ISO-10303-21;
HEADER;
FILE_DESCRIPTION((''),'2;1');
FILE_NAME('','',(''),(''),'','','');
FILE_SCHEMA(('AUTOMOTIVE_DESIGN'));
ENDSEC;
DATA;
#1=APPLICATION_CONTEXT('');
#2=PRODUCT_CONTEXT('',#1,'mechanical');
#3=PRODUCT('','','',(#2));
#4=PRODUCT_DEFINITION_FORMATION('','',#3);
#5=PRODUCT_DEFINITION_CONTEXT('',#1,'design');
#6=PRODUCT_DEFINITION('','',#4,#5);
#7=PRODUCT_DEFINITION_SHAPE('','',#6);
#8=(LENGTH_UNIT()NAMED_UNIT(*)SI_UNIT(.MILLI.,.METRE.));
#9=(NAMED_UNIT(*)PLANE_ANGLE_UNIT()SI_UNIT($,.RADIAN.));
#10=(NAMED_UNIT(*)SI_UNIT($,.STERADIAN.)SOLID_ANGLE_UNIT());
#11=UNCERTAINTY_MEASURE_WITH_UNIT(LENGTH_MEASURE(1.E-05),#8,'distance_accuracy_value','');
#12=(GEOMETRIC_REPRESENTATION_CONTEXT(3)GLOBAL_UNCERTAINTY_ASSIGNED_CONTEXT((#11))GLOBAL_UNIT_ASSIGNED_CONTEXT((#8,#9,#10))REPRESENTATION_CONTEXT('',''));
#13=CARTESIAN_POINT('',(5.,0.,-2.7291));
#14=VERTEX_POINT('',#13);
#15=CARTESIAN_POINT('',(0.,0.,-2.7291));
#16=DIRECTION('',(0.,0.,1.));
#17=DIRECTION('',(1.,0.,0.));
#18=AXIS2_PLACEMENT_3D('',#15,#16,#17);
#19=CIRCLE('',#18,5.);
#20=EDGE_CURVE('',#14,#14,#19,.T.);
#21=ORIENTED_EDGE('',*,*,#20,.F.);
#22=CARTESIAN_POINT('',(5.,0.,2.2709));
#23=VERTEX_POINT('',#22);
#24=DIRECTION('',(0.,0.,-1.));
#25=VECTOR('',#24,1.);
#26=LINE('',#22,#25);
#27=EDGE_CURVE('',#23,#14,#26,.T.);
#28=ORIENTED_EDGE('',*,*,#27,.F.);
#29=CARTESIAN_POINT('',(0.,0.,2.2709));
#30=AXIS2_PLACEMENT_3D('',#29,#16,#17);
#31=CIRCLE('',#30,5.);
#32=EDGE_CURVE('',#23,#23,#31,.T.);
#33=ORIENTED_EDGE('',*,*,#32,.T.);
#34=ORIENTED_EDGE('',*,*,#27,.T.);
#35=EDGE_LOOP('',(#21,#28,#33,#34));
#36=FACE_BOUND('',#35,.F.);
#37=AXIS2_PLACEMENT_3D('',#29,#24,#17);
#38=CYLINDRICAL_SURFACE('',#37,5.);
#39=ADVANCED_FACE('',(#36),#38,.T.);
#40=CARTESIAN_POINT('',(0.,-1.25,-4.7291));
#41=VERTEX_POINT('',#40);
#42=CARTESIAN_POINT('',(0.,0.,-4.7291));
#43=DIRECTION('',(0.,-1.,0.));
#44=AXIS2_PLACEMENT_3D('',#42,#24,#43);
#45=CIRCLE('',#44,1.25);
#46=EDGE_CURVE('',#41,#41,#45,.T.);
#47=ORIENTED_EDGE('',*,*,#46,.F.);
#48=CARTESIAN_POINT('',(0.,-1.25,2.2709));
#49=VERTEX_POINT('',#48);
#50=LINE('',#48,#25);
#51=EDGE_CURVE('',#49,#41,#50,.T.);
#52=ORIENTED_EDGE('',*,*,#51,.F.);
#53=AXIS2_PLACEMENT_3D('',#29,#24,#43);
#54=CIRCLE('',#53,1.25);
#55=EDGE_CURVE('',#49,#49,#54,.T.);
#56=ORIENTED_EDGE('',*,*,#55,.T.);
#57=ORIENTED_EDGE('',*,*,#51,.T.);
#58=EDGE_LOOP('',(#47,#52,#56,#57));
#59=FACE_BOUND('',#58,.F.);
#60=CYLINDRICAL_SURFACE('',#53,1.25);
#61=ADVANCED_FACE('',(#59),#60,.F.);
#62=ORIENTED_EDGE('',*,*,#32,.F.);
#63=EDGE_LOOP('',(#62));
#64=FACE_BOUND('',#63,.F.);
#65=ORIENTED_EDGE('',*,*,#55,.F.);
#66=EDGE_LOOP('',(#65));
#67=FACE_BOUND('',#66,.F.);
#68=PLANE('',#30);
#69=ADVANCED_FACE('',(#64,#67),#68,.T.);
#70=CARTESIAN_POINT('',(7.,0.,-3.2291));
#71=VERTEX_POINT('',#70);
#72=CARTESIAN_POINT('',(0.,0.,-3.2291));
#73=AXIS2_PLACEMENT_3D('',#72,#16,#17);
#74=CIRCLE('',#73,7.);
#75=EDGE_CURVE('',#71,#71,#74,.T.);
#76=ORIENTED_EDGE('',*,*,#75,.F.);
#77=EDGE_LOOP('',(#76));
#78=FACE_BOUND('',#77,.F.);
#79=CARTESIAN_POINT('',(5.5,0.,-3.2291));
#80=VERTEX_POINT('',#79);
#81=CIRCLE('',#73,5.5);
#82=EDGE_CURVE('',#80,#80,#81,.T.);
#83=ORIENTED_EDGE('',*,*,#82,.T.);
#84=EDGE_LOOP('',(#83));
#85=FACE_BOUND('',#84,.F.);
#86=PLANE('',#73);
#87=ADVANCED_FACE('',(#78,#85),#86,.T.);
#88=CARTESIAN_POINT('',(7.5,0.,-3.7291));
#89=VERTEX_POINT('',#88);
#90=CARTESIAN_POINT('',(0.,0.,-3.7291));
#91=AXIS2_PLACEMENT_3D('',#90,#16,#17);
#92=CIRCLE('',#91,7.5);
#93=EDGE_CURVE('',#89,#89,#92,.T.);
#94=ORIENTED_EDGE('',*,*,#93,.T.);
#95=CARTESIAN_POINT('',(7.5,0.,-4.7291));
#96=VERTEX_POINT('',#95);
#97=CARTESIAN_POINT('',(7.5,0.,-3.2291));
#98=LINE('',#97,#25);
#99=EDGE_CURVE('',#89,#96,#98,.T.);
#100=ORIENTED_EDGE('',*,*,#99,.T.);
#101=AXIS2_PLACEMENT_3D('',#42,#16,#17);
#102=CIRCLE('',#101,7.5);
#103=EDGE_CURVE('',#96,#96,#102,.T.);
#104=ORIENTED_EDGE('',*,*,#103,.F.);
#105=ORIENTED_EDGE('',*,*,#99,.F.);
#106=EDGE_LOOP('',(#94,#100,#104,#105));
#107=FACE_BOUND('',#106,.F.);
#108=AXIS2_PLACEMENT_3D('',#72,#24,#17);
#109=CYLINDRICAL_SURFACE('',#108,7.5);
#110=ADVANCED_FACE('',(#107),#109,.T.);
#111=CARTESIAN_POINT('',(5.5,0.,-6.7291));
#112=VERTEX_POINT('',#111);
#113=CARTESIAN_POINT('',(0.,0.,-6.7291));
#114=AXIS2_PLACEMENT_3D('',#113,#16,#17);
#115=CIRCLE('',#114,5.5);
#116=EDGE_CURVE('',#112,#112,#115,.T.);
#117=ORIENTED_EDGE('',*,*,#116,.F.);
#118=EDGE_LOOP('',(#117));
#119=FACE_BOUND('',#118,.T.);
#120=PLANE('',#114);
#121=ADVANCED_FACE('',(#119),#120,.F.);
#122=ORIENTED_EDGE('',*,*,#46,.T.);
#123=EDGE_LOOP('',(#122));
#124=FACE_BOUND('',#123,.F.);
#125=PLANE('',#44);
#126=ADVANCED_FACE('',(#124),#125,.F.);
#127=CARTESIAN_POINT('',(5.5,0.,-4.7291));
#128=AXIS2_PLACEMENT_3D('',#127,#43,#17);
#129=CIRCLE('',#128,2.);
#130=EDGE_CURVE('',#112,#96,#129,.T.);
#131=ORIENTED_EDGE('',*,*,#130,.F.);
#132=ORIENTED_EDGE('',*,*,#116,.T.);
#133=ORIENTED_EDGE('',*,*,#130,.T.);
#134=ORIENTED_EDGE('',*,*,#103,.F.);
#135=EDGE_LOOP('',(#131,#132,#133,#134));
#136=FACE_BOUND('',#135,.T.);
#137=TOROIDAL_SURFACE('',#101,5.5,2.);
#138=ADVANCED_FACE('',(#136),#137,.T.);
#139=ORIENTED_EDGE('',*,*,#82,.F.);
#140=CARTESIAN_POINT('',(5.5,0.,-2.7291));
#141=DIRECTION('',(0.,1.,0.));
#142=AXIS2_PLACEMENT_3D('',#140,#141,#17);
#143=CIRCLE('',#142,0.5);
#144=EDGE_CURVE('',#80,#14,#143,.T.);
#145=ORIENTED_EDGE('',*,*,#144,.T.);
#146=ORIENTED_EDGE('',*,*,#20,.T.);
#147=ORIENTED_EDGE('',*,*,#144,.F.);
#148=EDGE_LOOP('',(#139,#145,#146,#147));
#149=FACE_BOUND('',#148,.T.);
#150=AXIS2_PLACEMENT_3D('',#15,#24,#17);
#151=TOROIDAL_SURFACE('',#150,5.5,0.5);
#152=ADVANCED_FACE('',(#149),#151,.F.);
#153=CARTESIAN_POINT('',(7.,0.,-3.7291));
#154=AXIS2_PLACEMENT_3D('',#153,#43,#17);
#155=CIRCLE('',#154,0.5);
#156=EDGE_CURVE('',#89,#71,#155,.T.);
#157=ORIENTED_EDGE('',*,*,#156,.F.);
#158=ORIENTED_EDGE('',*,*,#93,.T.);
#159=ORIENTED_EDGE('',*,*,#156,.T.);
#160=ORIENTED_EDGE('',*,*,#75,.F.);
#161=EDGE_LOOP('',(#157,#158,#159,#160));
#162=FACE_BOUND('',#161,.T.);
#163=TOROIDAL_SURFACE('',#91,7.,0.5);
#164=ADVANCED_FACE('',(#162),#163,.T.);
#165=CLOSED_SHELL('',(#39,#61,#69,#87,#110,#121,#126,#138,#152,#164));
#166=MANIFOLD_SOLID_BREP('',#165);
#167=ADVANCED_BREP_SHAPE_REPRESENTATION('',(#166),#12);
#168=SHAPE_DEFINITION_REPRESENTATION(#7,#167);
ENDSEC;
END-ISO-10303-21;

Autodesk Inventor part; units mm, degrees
ref_plane "YZ Plane" through (0, 0, 0) normal (1, 0, 0) x (0, 1, 0)
ref_plane "XZ Plane" through (0, 0, 0) normal (0, 1, 0) x (-1, 0, 0)
ref_plane "XY Plane" through (0, 0, 0) normal (0, 0, 1) x (1, 0, 0)
sketch "Esquisse1" plane through (0, 0, 0) normal (0, 1, 0) x (-1, 0, 0)
  line L0 (0, -6.7291) -> (0, 2.2709)
  line L1 (0, 2.2709) -> (-5, 2.2709)
  line L2 (-5, 2.2709) -> (-5, -3.2291)
  line L3 (-5, -3.2291) -> (-7.5, -3.2291)
  line L4 (0, -6.7291) -> (-7.5, -6.7291)
  line L5 (-7.5, -3.2291) -> (-7.5, -6.7291)
  point P0 (0, 0)
  dimension "d0" = 9
  dimension "d1" = 5
  dimension "d2" = 5.5
  dimension "d3" = 7.5
revolve "Révolution1" add sketch "Esquisse1" angle 360 about axis through (0, 0, -6.7291) along (0, 0, 1)
fillet "Congé1" radius 2 1 edges at (-7.5, 0, -6.7291)
fillet "Congé2" radius 0.5 1 edges at (-7.5, 0, -3.2291)
fillet "Congé3" radius 0.5 1 edges at (-5, 0, -3.2291)
hole "Perçage1" at (0, 0, 2.2709) direction (0, 0, -1) diameter 2.5 depth 7
properties part number "pied" material "Plastique ABS"
